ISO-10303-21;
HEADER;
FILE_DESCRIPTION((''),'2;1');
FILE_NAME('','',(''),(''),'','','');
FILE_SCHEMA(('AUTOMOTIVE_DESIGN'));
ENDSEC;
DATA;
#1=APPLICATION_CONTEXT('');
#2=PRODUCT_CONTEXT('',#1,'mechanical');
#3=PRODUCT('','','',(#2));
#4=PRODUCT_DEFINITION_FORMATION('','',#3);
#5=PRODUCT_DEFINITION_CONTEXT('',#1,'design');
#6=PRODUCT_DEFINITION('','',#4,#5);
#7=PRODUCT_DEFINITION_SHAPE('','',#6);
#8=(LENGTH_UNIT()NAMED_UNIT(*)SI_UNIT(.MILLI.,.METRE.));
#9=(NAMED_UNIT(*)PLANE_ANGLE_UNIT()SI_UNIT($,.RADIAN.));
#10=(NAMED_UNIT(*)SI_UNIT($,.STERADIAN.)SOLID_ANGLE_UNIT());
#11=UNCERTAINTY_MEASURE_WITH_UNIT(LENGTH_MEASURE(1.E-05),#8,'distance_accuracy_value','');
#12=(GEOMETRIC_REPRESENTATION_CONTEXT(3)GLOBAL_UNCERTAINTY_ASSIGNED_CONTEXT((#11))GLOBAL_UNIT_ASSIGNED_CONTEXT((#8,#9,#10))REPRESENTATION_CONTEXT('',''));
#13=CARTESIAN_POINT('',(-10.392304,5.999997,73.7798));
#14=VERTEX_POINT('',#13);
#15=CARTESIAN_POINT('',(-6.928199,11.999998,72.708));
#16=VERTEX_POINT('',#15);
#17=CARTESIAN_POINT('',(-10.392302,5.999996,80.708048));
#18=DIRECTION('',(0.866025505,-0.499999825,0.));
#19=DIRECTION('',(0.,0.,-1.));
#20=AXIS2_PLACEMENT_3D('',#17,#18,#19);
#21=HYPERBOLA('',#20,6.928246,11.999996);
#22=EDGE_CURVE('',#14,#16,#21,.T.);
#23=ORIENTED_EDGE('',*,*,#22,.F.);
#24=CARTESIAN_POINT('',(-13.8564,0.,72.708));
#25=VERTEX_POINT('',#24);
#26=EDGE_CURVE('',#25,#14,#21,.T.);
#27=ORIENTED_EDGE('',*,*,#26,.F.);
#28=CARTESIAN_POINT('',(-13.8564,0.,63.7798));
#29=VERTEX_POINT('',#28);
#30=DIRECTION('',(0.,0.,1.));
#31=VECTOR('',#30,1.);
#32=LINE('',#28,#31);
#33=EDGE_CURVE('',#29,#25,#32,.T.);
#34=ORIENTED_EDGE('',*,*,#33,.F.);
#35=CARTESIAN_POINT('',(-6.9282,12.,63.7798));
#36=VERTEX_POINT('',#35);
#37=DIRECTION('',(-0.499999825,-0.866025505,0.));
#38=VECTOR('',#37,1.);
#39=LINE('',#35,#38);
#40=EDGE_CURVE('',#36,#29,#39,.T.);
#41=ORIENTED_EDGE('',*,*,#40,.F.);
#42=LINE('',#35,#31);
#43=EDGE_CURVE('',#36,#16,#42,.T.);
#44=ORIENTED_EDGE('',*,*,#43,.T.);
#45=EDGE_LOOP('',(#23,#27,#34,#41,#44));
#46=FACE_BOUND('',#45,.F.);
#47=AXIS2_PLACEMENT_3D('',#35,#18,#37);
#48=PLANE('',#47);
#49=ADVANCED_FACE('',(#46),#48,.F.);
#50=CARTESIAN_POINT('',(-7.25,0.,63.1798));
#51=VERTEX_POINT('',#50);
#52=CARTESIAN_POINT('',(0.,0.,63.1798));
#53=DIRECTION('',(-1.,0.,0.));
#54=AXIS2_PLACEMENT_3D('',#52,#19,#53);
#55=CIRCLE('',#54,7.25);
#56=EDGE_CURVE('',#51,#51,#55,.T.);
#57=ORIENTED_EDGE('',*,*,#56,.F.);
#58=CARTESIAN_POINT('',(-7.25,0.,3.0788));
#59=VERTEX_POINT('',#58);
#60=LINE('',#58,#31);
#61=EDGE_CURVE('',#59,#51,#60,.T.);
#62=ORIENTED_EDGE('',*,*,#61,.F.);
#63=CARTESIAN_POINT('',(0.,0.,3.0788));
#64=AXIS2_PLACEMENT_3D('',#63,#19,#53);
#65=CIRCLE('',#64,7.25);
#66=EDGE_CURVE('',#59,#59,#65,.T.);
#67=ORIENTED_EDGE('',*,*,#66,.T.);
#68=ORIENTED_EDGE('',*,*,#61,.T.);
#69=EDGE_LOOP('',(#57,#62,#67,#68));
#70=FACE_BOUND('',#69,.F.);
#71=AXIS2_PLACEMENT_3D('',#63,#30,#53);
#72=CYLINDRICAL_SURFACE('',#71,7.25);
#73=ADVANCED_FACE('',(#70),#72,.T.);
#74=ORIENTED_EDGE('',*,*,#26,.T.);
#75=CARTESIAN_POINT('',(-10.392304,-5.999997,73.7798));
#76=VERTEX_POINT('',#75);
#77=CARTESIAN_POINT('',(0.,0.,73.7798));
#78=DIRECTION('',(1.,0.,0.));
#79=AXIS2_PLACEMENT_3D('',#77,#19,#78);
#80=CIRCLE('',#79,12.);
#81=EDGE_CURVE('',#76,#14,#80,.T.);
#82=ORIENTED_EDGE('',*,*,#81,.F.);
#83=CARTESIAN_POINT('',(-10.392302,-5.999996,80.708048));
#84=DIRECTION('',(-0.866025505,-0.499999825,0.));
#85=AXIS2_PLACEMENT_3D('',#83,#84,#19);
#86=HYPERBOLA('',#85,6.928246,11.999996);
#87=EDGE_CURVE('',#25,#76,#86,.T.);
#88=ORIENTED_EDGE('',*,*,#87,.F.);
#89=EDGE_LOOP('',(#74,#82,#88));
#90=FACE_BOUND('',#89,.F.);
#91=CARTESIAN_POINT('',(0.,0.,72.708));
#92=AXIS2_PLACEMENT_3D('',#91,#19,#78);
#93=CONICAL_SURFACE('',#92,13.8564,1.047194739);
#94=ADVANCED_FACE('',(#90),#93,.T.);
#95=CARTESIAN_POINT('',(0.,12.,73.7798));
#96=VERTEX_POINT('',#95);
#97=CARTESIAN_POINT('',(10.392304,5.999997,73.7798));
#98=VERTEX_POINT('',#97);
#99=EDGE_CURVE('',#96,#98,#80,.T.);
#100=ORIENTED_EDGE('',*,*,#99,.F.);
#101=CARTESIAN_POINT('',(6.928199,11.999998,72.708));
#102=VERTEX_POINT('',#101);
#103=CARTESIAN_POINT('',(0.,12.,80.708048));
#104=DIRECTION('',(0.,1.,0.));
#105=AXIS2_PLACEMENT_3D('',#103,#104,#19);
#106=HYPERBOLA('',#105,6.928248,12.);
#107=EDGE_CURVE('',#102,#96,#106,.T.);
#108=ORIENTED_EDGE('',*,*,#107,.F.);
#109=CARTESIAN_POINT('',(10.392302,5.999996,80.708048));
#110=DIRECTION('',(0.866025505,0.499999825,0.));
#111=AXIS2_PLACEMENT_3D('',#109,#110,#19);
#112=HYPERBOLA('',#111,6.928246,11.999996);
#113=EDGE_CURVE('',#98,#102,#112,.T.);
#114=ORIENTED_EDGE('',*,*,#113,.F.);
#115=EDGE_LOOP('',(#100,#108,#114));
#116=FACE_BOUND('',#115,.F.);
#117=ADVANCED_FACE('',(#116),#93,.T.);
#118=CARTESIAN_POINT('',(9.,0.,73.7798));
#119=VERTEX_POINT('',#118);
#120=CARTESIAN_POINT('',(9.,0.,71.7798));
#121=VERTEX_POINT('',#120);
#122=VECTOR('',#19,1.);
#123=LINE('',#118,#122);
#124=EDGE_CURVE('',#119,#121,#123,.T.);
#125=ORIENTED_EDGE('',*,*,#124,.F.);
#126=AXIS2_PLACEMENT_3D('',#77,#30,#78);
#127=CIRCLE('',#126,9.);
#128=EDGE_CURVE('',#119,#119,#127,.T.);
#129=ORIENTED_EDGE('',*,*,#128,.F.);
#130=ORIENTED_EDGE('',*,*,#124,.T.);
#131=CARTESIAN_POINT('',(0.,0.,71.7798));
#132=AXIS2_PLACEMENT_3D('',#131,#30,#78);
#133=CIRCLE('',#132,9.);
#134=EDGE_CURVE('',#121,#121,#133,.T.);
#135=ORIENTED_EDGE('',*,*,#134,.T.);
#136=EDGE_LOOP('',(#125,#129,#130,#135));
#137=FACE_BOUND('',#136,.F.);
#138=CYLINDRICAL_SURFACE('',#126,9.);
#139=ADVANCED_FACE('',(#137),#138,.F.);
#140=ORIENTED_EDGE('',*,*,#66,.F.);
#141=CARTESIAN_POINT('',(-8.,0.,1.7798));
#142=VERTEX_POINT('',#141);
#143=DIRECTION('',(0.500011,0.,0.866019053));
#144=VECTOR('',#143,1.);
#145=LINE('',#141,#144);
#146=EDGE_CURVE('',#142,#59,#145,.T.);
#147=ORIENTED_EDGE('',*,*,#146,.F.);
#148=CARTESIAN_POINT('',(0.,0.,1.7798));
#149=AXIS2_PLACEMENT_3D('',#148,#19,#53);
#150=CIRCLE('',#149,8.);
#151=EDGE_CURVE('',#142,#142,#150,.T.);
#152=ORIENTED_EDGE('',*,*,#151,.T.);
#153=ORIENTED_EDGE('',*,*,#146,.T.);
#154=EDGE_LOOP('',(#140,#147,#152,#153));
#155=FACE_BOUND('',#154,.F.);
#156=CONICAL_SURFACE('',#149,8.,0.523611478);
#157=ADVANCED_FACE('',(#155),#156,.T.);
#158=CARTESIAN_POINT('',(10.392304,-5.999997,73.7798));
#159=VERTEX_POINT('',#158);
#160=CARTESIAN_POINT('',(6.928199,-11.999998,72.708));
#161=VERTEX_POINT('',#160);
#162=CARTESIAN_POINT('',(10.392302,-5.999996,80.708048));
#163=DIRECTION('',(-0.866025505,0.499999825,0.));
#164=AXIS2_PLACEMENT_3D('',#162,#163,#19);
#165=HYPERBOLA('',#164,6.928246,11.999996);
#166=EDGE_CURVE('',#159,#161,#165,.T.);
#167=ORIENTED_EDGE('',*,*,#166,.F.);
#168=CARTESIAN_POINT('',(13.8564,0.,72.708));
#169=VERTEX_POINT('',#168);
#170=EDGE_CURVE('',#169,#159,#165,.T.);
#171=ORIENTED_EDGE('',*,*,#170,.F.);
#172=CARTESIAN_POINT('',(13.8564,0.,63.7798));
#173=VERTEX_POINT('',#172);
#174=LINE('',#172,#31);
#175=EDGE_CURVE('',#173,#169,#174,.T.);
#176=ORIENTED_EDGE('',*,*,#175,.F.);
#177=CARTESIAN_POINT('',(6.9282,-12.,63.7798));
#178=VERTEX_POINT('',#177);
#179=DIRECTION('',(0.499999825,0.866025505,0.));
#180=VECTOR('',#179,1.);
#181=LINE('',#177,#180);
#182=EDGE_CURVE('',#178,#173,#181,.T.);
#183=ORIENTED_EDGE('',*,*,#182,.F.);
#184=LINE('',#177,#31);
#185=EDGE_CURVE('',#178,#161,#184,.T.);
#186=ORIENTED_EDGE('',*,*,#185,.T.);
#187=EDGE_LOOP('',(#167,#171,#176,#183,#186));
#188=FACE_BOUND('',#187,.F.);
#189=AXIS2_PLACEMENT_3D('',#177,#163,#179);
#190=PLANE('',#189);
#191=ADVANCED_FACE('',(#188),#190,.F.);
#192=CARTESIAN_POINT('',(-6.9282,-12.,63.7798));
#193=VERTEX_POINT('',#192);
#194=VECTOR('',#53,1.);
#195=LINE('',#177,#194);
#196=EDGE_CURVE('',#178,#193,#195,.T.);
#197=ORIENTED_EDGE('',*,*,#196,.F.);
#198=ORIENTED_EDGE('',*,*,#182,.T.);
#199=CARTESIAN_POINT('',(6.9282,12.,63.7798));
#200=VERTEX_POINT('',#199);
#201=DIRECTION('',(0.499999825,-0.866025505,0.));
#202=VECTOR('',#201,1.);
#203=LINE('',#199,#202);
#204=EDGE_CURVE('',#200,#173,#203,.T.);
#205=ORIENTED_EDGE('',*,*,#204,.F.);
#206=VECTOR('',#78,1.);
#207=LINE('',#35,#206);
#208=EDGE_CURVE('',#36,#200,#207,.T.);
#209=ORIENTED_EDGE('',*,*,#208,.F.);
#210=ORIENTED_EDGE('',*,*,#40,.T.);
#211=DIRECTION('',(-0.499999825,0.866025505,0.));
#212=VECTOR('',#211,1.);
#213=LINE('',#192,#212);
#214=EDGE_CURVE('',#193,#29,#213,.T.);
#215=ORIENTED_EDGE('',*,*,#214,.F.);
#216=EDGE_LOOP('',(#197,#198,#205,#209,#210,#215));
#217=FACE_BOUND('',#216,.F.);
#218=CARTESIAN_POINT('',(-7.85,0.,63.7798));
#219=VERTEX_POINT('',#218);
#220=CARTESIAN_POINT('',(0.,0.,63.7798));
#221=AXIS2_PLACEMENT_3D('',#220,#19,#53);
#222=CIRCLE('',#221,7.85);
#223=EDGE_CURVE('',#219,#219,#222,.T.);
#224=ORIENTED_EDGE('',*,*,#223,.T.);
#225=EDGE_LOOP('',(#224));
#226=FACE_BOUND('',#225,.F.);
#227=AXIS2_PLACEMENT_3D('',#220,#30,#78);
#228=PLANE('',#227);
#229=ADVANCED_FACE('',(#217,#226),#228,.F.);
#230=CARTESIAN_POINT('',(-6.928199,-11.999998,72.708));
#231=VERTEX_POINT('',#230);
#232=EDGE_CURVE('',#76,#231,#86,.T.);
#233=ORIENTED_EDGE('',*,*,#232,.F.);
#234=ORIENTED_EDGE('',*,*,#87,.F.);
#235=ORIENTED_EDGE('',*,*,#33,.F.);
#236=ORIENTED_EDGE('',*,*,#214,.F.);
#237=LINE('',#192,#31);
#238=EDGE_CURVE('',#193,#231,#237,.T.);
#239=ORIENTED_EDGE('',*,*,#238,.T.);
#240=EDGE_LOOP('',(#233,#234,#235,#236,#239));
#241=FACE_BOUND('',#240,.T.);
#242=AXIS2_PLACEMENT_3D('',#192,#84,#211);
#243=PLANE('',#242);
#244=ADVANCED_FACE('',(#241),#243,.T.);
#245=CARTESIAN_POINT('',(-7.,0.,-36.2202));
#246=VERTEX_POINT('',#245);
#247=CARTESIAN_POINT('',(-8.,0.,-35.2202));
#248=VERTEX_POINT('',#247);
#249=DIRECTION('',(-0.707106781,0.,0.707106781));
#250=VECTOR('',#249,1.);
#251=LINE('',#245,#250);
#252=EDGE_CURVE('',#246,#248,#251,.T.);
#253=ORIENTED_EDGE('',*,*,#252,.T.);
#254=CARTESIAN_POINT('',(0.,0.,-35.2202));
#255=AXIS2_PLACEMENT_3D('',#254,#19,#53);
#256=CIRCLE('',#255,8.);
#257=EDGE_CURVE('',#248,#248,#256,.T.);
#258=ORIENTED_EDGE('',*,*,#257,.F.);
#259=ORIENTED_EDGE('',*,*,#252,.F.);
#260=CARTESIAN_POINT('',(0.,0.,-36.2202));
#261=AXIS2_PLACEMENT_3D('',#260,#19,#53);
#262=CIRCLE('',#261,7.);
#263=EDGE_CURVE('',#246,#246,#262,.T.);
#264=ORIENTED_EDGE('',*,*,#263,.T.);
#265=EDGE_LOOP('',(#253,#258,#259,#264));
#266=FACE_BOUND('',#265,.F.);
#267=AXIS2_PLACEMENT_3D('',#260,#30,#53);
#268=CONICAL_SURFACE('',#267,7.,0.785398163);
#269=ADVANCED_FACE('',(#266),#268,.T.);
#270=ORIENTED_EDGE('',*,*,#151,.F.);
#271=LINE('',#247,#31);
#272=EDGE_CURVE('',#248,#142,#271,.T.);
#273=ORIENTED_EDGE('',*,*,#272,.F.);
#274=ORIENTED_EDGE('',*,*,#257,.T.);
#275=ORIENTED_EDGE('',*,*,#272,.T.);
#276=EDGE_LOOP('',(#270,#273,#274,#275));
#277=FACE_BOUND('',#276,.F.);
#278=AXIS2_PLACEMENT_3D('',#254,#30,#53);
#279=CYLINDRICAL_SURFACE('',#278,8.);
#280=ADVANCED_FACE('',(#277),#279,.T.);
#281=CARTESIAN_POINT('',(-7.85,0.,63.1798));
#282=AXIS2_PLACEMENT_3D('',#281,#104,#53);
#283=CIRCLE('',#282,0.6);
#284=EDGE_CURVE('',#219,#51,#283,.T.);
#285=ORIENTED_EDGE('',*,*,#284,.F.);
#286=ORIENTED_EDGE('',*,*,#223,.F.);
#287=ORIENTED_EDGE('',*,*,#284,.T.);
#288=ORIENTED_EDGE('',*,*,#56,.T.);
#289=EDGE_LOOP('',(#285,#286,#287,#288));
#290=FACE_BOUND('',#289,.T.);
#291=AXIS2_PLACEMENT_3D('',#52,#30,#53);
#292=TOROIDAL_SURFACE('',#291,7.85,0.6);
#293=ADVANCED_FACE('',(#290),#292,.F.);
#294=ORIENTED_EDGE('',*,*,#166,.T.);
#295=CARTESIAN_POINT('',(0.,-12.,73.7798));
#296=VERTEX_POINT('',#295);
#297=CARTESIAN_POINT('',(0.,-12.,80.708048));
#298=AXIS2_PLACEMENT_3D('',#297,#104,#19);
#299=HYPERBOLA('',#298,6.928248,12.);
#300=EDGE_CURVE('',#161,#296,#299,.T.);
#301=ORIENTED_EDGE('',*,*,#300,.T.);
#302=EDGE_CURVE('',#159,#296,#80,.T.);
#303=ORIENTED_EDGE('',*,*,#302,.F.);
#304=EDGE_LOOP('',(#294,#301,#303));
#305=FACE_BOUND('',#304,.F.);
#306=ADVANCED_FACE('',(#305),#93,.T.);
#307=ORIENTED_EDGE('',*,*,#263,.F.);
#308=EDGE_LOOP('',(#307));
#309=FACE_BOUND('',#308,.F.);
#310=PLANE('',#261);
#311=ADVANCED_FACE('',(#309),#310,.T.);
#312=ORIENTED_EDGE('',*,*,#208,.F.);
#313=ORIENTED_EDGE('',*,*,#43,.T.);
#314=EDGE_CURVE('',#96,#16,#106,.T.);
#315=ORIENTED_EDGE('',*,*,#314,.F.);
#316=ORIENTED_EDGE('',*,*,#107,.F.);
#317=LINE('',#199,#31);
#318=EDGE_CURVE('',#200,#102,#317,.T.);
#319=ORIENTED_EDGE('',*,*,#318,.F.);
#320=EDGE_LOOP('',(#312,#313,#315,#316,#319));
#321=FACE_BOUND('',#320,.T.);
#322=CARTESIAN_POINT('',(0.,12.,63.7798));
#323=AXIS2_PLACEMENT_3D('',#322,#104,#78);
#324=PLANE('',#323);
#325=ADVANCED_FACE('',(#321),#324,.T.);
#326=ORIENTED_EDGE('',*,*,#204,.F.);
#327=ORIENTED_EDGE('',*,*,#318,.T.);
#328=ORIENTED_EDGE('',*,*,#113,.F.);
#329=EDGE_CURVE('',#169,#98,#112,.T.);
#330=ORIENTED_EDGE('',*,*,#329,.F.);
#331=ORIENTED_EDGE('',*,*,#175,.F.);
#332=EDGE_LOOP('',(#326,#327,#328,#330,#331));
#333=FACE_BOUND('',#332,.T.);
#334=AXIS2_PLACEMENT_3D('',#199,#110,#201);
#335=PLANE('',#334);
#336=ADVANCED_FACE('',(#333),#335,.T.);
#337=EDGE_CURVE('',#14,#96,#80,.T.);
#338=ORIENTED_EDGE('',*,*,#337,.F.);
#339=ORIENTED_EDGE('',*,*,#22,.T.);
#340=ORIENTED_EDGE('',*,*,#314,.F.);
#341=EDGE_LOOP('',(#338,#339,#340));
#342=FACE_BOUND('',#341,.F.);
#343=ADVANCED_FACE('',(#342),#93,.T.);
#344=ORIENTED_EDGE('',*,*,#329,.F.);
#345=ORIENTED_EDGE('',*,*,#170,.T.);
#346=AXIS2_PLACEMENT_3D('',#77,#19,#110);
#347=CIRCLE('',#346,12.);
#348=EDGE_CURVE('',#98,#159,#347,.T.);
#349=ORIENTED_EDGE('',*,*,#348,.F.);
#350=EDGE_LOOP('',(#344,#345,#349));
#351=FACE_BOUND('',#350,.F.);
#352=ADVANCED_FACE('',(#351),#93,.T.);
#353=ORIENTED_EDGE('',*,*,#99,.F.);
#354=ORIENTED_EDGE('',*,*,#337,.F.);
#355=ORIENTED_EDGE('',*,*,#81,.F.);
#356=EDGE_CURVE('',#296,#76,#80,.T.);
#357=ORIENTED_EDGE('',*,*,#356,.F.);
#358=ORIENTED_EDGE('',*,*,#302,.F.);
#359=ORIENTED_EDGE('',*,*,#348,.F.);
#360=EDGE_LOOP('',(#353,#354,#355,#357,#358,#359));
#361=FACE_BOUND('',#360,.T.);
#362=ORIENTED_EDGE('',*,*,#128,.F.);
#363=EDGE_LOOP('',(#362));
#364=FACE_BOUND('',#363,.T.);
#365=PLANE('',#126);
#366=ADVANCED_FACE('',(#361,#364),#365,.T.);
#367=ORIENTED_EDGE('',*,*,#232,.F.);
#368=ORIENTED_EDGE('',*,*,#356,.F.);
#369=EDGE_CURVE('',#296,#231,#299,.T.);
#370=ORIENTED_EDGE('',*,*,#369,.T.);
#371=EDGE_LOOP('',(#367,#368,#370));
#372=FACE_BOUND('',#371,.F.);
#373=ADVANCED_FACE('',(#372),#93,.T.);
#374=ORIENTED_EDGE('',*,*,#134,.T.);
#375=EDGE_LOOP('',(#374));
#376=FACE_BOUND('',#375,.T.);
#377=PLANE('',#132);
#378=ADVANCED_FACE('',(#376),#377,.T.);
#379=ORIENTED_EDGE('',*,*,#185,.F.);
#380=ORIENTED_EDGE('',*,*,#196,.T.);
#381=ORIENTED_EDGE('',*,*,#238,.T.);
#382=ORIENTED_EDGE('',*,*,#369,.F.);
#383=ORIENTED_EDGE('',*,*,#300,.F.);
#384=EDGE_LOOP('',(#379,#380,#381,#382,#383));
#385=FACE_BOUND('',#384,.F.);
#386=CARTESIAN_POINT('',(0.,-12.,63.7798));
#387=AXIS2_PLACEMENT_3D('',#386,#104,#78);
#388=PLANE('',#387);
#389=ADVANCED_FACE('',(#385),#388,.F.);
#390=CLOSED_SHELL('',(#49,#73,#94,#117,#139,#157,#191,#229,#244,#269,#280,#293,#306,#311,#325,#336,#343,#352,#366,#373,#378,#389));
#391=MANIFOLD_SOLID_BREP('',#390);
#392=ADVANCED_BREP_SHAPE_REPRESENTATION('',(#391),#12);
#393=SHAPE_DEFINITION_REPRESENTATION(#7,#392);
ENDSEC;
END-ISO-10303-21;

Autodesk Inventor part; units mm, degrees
ref_plane "YZ Plane" through (0, 0, 0) normal (1, 0, 0) x (0, 1, 0)
sketch "Sketch2" plane through (0, 0, 0) normal (0, 1, 0) x (-1, 0, 0)
  line L0 (0, 63.7798) -> (0, -36.2202)
  line L1 (0, -36.2202) -> (7, -36.2202)
  line L2 (8, -35.2202) -> (8, 1.7798)
  line L3 (8, 1.7798) -> (7.25, 3.0788)
  line L4 (7.25, 3.0788) -> (7.25, 63.7798)
  line L5 (7.25, 63.7798) -> (0, 63.7798)
  line L6 (7, -36.2202) -> (8, -35.2202)
  line L7 (8, -36.2202) -> (8, -37.6344)
  line L8 (0, -57.9172) -> (0, 84.0627) projected
  dimension "Ds" = 14.5
  dimension "NND" = 16
  dimension "b" = 38
  dimension "d3" = 30
  dimension "d5" = 45
  dimension "PTC" = 2
  dimension "NLG" = 100
revolve "Revolution1" add sketch "Sketch2" angle 360 about axis through (0, 0, 63.7798) along (0, 0, -1)
sketch "Sketch3" plane through (0, 0, 63.7798) normal (0, 0, 1) x (1, 0, 0)
  circle A0 centre (0, 0) radius 7.25 projected
  line L0 (0, 12) -> (6.9282, 12)
  line L1 (6.9282, 12) -> (13.8564, 0)
  line L2 (13.8564, 0) -> (0, 0)
  line L3 (0, 0) -> (0, 12)
  line L4 (0, 12) -> (-6.9282, 12)
  line L5 (-6.9282, 12) -> (-13.8564, 0)
  line L6 (0, -12) -> (6.9282, -12)
  line L7 (6.9282, -12) -> (13.8564, 0)
  line L8 (-6.9282, -12) -> (-13.8564, 0)
  line L9 (0, -12) -> (-6.9282, -12)
  dimension "d9" = 60
  dimension "ParS" = 24
  dimension "msp_d11" = 24
extrude "Extrusion1" add sketch "Sketch3" along normal blind 10
sketch "Sketch4" plane through (0, 0, 0) normal (0, 1, 0) x (-1, 0, 0)
  line L0 (-12, 73.7798) -> (-13.8564, 73.7798)
  line L1 (-13.8564, 73.7798) -> (-13.8564, 72.708)
  line L2 (-13.8564, 72.708) -> (-12, 73.7798)
  line L3 (0, 17.8585) -> (0, 83.1) projected
  line L4 (0, 28.2505) -> (0, 27.1787)
  line L5 (-13.8564, 63.7798) -> (-13.8564, 73.7798) projected
  line L6 (-6.9282, 73.7798) -> (-13.8564, 73.7798) projected
  dimension "d14" = 30
  dimension "msp_d15" = 24
revolve "Revolution2" cut sketch "Sketch4" angle 360 about axis through (0, 0, 28.2505) along (0, 0, -1)
sketch "Sketch5" plane through (0, 0, 73.7798) normal (0, 0, 1) x (1, 0, 0)
  arc A0 (10.3923, 6) -> (0, 12) centre (0, 0) ccw projected
  circle A1 centre (0, 0) radius 9
  dimension "d27" = 18
extrude "Extrusion2" cut sketch "Sketch5" against normal blind 2
thread "Thread1" size "M16x2" class "6g" standard "ISO Metric profile" full length
ref_plane "MSC_PF1" through (0, 0, 0) normal (0, 1, 0) x (-1, 0, 0)
ref_plane "MSC_PT1" through (0, 0, 63.7798) normal (0, 0, -1) x (-1, 0, 0)
fillet "Fillet1" radius 0.6 1 edges at (7.25, 0, 63.7798)
equation "\"msp_d11\" = ParS"
equation "\"msp_d15\" = ParS"
equation "\"d27\" = 0.75 * ParS"
equation "\"d28\" = 0.2 * ParK"
equation "\"d30\" = r"
equation "\"msp_d17\" = b"
equation "\"r\" = 0.6"
equation "\"THREADDIA\" = NND"
equation "\"ParK\" = 10"
properties part number "NF EN ISO 4015 - M16x100" material "Stainless Steel, 440C"
